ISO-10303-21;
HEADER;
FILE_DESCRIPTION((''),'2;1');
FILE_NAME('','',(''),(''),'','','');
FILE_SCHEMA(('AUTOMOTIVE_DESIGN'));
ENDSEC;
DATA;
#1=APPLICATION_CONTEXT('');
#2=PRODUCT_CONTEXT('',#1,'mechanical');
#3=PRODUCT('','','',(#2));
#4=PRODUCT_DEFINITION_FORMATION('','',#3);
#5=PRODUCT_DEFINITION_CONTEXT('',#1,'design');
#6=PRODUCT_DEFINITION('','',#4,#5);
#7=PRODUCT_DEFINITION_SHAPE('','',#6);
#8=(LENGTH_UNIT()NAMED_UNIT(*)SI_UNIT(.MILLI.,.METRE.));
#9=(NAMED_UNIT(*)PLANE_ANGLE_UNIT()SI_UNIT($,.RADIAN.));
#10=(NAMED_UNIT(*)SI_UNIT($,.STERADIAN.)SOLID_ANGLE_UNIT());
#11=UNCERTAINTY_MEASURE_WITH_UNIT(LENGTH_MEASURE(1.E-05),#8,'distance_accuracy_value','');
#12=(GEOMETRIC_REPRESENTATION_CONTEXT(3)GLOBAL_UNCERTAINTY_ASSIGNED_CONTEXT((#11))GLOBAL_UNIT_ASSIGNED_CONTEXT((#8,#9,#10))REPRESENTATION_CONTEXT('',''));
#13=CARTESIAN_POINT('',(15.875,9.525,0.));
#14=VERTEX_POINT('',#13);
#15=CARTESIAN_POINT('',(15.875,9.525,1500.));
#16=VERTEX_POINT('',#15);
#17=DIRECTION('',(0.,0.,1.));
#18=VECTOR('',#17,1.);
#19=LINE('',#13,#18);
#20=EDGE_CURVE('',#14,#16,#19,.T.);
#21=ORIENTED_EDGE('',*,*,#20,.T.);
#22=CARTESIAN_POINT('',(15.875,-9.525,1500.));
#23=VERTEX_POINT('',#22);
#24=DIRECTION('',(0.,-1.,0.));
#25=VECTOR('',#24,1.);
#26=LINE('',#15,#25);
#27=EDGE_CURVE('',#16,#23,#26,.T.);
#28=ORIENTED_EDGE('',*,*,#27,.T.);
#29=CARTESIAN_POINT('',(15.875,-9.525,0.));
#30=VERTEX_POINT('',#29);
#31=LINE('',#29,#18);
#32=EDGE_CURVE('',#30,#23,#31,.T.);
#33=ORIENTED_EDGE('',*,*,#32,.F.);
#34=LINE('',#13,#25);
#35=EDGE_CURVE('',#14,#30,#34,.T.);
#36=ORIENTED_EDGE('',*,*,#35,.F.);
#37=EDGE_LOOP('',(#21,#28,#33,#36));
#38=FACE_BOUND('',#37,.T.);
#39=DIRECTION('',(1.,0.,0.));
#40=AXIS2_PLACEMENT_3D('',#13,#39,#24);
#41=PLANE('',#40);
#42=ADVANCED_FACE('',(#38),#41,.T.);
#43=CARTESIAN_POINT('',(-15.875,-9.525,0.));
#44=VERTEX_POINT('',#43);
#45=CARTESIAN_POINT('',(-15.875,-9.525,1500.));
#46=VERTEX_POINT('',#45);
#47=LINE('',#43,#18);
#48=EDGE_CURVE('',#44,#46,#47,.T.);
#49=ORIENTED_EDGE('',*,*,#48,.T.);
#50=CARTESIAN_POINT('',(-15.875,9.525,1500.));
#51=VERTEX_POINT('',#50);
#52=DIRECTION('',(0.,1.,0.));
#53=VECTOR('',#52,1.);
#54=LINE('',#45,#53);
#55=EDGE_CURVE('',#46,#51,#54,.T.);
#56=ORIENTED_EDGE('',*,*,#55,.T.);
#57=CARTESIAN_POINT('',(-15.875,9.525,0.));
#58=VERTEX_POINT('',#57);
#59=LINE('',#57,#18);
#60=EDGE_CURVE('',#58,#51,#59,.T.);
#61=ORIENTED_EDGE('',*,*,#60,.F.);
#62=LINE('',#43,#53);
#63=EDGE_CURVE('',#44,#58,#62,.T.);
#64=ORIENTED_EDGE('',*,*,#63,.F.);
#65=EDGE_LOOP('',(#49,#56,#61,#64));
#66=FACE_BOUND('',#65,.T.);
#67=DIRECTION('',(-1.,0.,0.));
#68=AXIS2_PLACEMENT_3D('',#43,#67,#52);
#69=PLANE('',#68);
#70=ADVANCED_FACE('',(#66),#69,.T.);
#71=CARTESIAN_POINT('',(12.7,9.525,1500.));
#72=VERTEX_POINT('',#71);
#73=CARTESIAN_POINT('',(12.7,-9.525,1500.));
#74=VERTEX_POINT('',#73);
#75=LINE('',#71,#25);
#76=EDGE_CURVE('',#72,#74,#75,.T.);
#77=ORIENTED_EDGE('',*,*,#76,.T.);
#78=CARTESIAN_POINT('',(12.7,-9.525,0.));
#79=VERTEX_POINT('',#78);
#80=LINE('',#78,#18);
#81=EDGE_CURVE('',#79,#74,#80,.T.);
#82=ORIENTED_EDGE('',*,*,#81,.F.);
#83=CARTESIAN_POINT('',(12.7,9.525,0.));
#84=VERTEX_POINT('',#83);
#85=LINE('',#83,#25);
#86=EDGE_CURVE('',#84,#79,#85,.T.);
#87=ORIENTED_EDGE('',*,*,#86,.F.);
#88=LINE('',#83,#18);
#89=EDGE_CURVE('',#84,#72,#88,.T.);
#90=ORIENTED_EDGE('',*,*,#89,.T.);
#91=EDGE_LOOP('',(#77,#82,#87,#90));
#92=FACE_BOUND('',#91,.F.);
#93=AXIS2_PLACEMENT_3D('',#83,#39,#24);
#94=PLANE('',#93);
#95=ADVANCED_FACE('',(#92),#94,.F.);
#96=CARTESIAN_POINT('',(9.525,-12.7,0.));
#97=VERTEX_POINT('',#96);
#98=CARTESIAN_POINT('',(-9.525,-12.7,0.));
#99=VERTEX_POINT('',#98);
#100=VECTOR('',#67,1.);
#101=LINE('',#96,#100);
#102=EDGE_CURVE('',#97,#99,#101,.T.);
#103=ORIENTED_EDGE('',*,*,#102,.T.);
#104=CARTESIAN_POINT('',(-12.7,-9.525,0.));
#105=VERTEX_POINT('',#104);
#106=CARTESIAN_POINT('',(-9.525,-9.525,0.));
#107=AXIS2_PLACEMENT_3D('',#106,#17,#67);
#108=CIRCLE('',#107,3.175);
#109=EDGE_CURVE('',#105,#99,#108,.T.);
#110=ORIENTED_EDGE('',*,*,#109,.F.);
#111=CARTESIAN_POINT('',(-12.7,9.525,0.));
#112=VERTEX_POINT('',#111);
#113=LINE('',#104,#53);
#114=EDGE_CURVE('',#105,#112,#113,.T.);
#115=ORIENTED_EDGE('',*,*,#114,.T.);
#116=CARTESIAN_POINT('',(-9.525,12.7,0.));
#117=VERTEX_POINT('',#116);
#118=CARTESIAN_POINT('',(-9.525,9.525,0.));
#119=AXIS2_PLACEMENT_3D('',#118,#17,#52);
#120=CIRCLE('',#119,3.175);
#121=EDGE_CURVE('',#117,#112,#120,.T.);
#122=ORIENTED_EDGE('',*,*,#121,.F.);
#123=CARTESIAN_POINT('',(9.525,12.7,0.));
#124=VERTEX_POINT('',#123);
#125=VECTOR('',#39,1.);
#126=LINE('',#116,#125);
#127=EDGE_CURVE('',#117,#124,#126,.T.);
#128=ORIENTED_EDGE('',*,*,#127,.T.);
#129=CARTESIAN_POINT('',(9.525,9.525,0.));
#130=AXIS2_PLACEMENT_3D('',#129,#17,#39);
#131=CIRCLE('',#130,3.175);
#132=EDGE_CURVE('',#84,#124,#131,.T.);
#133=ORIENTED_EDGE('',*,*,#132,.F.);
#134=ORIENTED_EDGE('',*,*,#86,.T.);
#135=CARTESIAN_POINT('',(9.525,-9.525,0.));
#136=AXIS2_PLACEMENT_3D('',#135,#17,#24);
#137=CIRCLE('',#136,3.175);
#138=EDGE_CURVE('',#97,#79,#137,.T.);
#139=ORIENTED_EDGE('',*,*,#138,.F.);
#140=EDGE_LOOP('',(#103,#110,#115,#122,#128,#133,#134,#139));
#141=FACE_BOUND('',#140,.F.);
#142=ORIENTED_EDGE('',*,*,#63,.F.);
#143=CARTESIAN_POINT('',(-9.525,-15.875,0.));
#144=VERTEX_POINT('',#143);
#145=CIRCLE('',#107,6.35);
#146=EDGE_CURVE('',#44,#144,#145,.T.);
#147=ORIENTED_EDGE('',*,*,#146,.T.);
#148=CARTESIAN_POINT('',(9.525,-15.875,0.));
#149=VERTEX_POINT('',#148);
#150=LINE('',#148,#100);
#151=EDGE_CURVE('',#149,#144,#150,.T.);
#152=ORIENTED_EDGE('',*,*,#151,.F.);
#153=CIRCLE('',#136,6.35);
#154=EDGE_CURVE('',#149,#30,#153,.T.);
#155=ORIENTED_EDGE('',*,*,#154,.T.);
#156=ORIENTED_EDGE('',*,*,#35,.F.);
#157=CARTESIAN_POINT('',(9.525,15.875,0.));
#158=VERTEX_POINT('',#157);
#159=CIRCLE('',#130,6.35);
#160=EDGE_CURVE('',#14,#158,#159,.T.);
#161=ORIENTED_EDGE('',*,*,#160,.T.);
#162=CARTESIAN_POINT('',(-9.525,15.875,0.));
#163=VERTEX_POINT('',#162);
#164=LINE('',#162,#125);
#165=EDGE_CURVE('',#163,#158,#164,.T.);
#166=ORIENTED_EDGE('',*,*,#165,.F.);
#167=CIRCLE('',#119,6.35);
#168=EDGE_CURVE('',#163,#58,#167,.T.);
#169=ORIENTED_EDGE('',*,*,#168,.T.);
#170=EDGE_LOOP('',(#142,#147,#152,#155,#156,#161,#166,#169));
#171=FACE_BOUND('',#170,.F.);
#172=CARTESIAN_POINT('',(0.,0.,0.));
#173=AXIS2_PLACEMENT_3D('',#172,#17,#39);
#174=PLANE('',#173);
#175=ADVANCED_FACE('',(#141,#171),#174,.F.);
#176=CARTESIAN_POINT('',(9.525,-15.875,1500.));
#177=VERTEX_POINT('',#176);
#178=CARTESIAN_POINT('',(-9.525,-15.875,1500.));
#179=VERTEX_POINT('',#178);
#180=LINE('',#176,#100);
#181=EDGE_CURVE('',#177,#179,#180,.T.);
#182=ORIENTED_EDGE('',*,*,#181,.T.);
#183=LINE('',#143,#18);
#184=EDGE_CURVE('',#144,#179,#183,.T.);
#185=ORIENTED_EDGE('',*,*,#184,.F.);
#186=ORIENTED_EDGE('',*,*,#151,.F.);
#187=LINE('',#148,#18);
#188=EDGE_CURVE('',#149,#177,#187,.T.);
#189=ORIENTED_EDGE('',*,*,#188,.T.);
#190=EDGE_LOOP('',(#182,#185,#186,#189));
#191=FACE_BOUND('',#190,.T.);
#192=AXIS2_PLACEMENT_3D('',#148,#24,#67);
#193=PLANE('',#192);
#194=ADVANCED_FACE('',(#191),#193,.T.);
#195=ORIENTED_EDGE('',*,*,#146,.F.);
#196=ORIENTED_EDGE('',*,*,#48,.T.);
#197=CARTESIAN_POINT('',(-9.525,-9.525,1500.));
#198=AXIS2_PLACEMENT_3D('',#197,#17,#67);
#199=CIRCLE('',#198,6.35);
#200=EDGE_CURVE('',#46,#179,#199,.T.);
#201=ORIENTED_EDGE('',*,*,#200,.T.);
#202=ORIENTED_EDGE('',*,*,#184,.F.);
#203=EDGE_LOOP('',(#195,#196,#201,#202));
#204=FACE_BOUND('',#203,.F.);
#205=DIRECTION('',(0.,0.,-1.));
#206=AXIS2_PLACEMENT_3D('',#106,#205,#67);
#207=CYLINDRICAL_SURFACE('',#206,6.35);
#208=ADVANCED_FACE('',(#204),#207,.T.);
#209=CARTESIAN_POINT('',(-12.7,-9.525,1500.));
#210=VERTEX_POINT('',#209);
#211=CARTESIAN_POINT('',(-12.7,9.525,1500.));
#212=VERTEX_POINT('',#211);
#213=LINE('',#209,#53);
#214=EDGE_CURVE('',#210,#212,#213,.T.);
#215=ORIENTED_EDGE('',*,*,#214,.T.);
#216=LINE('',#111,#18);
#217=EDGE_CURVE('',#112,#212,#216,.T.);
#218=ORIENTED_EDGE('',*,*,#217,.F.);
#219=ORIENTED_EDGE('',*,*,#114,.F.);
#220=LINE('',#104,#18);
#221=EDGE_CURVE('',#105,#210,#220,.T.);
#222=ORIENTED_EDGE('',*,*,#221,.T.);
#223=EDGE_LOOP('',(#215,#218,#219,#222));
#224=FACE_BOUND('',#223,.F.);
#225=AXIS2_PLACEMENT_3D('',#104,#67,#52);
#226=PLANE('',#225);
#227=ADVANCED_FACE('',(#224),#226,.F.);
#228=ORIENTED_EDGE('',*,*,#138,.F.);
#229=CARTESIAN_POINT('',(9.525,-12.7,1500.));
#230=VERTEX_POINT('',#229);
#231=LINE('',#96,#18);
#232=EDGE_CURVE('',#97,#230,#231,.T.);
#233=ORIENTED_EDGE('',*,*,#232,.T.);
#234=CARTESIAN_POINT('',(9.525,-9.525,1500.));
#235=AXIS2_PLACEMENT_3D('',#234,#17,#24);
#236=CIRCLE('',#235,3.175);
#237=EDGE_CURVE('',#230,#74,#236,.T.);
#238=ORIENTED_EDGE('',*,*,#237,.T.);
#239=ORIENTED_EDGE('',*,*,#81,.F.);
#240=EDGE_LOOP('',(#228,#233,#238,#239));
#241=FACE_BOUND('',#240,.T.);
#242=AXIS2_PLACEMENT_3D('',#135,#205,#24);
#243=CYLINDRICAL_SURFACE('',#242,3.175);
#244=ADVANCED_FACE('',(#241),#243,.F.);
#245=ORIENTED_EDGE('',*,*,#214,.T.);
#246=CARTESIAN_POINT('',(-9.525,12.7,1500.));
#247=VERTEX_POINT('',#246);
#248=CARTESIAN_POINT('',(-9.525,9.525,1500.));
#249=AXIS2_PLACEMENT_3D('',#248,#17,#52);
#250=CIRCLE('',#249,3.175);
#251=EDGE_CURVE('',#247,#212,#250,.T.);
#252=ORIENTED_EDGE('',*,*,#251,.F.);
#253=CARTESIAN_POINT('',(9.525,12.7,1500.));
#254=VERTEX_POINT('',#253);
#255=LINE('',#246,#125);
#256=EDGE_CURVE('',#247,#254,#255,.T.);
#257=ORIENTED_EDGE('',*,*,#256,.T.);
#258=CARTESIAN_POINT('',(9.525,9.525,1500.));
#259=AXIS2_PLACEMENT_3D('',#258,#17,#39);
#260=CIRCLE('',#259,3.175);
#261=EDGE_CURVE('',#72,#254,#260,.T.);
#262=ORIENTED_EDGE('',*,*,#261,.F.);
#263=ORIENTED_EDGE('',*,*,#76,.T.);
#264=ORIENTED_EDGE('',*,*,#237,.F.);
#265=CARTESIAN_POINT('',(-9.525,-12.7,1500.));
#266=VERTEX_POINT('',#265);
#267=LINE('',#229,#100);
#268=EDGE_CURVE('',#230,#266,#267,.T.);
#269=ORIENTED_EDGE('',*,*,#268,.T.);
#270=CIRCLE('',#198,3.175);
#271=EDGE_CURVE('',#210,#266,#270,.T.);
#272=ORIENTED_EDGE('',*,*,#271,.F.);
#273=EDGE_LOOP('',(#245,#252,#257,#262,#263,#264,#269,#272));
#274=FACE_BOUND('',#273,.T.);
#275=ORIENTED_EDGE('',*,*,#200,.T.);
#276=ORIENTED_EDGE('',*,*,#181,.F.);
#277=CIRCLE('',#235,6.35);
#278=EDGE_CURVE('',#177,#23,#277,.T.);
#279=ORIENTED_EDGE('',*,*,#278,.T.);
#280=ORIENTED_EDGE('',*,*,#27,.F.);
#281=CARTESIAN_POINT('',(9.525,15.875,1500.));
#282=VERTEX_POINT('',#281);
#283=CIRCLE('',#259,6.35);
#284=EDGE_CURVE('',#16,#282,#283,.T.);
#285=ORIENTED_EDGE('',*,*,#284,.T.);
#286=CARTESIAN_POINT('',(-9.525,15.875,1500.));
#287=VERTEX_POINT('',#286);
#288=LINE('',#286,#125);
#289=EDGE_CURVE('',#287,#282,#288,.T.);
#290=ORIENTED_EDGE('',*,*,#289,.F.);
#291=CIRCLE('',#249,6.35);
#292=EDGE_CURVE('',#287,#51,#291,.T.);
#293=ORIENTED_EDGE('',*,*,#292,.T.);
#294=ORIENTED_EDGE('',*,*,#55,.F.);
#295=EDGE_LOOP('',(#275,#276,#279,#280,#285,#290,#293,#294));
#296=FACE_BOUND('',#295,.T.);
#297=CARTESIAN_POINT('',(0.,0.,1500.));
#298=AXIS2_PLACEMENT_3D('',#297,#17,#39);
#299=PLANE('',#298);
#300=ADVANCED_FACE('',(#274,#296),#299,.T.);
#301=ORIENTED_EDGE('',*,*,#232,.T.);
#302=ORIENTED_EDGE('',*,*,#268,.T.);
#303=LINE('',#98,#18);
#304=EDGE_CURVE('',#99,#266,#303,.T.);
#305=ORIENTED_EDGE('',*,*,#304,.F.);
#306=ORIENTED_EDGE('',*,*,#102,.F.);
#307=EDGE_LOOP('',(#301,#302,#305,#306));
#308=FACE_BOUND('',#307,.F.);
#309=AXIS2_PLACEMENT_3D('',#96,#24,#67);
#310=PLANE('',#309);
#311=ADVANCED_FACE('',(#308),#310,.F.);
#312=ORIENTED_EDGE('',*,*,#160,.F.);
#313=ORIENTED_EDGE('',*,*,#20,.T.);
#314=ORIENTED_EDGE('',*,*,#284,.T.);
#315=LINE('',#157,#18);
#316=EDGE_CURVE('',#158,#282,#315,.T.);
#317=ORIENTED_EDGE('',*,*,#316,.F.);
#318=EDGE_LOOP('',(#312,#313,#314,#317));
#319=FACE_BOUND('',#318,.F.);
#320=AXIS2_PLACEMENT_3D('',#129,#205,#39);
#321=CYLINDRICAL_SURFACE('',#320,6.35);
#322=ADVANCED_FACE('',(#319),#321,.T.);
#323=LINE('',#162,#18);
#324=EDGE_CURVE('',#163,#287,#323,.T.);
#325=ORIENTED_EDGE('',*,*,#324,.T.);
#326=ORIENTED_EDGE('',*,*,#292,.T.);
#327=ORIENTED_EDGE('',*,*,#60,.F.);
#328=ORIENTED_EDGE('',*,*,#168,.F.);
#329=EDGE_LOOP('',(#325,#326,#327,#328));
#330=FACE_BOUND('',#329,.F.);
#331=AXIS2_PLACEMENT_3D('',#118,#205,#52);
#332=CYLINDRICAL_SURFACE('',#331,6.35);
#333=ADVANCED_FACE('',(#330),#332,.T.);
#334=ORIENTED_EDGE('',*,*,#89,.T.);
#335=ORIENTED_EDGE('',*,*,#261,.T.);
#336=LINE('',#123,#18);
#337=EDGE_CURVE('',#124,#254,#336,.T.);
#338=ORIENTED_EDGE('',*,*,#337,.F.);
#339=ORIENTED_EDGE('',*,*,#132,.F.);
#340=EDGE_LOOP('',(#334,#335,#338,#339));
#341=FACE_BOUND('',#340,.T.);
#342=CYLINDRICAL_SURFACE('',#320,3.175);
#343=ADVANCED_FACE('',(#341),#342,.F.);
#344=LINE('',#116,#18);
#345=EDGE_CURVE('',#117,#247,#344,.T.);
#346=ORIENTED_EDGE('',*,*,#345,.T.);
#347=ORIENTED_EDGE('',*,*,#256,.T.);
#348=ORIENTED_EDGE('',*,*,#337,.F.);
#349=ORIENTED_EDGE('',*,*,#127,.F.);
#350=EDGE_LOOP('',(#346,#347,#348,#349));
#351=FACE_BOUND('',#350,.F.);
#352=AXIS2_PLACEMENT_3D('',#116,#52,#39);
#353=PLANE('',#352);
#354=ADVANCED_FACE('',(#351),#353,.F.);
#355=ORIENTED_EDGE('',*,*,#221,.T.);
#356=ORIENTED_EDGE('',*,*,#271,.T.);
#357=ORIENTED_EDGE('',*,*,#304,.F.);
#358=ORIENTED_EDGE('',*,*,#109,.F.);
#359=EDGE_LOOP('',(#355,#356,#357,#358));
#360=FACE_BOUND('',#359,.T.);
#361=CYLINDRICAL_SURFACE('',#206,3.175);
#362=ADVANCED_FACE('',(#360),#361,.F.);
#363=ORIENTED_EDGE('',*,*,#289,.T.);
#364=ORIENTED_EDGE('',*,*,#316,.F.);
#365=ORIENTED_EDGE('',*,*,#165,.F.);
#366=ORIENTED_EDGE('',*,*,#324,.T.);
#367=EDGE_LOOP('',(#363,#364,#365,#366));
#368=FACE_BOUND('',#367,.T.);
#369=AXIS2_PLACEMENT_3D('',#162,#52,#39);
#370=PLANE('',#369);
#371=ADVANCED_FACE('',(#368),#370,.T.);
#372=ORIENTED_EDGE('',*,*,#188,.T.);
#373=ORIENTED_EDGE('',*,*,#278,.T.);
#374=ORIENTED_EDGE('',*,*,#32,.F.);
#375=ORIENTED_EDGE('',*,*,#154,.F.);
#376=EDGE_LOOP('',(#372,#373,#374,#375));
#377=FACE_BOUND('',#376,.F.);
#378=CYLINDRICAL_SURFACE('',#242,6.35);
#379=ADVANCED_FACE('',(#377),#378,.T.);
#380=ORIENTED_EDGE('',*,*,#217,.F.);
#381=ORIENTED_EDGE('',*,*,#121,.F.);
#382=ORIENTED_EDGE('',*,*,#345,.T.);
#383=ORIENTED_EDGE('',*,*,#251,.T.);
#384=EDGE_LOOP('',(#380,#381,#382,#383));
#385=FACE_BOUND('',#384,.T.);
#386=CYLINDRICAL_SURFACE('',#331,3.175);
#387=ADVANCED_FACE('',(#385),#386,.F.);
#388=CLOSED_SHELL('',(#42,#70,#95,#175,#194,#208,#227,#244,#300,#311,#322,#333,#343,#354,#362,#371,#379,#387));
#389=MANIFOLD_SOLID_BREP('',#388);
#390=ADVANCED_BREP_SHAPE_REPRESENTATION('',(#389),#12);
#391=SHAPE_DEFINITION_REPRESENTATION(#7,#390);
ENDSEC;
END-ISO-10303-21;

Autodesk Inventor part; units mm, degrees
ref_plane "YZ Plane" through (0, 0, 0) normal (1, 0, 0) x (0, 1, 0)
ref_plane "Start Plane" through (0, 0, 0) normal (0, 0, 1) x (1, 0, 0)
ref_plane "End Plane" through (0, 0, 1500) normal (0, 0, 1) x (1, 0, 0)
sketch "Sketch" plane through (0, 0, 0) normal (0, 0, 1) x (1, 0, 0)
  line L0 (-15.875, -9.525) -> (-15.875, 9.525)
  line L1 (-9.525, 15.875) -> (9.525, 15.875)
  line L2 (15.875, 9.525) -> (15.875, -9.525)
  line L3 (9.525, -15.875) -> (-9.525, -15.875)
  arc A0 (-15.875, -9.525) -> (-9.525, -15.875) centre (-9.525, -9.525) ccw
  arc A1 (-9.525, 15.875) -> (-15.875, 9.525) centre (-9.525, 9.525) ccw
  arc A2 (15.875, 9.525) -> (9.525, 15.875) centre (9.525, 9.525) ccw
  arc A3 (9.525, -15.875) -> (15.875, -9.525) centre (9.525, -9.525) ccw
  arc A4 (-9.525, 12.7) -> (-12.7, 9.525) centre (-9.525, 9.525) ccw
  line L4 (-9.525, 12.7) -> (9.525, 12.7)
  arc A5 (12.7, 9.525) -> (9.525, 12.7) centre (9.525, 9.525) ccw
  line L5 (12.7, 9.525) -> (12.7, -9.525)
  arc A6 (9.525, -12.7) -> (12.7, -9.525) centre (9.525, -9.525) ccw
  line L6 (9.525, -12.7) -> (-9.525, -12.7)
  arc A7 (-12.7, -9.525) -> (-9.525, -12.7) centre (-9.525, -9.525) ccw
  line L7 (-12.7, -9.525) -> (-12.7, 9.525)
  line L8 (0, 24.0662) -> (0, -24.0662) construction
  line L9 (-24.0662, 0) -> (24.0662, 0) construction
  dimension "d10" = 31.75
  dimension "d11" = 31.75
  dimension "d12" = 3.175
  dimension "d15" = 15.875
  dimension "d16" = 15.875
  dimension "d17" = 6.35
extrude "Body" add sketch "Sketch" along normal up to surface (1500 mm away) from surface at 0
sketch "Sketch3" plane through (0, 0, 0) normal (0, 0, 1) x (1, 0, 0)
  line L0 (0, 0) -> (10, 0)
ref_plane "Work Plane3" through (0, 0, 0) normal (0, -1, 0) x (1, 0, 0)
sketch "Sketch4" plane through (0, 0, 0) normal (0, -1, 0) x (1, 0, 0)
  line L0 (-2, 0) -> (12, 0) projected
  line L1 (-2, 1500) -> (12, 1500) projected
  dimension "d19" = 1500
equation "\"d10\" = G_H"
equation "\"d11\" = G_W"
equation "\"d12\" = G_T"
equation "\"d15\" = 0.5 * d10"
equation "\"d16\" = 0.5 * d11"
equation "\"d17\" = G_IR"
equation "\"d3\" = G_L"
equation "\"G_W\" = 31.75"
equation "\"G_H\" = 31.75"
equation "\"G_T\" = 3.175"
equation "\"G_IR\" = 6.35"
equation "\"G_L\" = d19"
equation "\"G_OFFSET_START\" = 0"
equation "\"G_OFFSET_END\" = 0"
properties part number "AISC HSS - (1 1/4x1 1/4x1/8) - 59.055" material "Steel, Mild"
